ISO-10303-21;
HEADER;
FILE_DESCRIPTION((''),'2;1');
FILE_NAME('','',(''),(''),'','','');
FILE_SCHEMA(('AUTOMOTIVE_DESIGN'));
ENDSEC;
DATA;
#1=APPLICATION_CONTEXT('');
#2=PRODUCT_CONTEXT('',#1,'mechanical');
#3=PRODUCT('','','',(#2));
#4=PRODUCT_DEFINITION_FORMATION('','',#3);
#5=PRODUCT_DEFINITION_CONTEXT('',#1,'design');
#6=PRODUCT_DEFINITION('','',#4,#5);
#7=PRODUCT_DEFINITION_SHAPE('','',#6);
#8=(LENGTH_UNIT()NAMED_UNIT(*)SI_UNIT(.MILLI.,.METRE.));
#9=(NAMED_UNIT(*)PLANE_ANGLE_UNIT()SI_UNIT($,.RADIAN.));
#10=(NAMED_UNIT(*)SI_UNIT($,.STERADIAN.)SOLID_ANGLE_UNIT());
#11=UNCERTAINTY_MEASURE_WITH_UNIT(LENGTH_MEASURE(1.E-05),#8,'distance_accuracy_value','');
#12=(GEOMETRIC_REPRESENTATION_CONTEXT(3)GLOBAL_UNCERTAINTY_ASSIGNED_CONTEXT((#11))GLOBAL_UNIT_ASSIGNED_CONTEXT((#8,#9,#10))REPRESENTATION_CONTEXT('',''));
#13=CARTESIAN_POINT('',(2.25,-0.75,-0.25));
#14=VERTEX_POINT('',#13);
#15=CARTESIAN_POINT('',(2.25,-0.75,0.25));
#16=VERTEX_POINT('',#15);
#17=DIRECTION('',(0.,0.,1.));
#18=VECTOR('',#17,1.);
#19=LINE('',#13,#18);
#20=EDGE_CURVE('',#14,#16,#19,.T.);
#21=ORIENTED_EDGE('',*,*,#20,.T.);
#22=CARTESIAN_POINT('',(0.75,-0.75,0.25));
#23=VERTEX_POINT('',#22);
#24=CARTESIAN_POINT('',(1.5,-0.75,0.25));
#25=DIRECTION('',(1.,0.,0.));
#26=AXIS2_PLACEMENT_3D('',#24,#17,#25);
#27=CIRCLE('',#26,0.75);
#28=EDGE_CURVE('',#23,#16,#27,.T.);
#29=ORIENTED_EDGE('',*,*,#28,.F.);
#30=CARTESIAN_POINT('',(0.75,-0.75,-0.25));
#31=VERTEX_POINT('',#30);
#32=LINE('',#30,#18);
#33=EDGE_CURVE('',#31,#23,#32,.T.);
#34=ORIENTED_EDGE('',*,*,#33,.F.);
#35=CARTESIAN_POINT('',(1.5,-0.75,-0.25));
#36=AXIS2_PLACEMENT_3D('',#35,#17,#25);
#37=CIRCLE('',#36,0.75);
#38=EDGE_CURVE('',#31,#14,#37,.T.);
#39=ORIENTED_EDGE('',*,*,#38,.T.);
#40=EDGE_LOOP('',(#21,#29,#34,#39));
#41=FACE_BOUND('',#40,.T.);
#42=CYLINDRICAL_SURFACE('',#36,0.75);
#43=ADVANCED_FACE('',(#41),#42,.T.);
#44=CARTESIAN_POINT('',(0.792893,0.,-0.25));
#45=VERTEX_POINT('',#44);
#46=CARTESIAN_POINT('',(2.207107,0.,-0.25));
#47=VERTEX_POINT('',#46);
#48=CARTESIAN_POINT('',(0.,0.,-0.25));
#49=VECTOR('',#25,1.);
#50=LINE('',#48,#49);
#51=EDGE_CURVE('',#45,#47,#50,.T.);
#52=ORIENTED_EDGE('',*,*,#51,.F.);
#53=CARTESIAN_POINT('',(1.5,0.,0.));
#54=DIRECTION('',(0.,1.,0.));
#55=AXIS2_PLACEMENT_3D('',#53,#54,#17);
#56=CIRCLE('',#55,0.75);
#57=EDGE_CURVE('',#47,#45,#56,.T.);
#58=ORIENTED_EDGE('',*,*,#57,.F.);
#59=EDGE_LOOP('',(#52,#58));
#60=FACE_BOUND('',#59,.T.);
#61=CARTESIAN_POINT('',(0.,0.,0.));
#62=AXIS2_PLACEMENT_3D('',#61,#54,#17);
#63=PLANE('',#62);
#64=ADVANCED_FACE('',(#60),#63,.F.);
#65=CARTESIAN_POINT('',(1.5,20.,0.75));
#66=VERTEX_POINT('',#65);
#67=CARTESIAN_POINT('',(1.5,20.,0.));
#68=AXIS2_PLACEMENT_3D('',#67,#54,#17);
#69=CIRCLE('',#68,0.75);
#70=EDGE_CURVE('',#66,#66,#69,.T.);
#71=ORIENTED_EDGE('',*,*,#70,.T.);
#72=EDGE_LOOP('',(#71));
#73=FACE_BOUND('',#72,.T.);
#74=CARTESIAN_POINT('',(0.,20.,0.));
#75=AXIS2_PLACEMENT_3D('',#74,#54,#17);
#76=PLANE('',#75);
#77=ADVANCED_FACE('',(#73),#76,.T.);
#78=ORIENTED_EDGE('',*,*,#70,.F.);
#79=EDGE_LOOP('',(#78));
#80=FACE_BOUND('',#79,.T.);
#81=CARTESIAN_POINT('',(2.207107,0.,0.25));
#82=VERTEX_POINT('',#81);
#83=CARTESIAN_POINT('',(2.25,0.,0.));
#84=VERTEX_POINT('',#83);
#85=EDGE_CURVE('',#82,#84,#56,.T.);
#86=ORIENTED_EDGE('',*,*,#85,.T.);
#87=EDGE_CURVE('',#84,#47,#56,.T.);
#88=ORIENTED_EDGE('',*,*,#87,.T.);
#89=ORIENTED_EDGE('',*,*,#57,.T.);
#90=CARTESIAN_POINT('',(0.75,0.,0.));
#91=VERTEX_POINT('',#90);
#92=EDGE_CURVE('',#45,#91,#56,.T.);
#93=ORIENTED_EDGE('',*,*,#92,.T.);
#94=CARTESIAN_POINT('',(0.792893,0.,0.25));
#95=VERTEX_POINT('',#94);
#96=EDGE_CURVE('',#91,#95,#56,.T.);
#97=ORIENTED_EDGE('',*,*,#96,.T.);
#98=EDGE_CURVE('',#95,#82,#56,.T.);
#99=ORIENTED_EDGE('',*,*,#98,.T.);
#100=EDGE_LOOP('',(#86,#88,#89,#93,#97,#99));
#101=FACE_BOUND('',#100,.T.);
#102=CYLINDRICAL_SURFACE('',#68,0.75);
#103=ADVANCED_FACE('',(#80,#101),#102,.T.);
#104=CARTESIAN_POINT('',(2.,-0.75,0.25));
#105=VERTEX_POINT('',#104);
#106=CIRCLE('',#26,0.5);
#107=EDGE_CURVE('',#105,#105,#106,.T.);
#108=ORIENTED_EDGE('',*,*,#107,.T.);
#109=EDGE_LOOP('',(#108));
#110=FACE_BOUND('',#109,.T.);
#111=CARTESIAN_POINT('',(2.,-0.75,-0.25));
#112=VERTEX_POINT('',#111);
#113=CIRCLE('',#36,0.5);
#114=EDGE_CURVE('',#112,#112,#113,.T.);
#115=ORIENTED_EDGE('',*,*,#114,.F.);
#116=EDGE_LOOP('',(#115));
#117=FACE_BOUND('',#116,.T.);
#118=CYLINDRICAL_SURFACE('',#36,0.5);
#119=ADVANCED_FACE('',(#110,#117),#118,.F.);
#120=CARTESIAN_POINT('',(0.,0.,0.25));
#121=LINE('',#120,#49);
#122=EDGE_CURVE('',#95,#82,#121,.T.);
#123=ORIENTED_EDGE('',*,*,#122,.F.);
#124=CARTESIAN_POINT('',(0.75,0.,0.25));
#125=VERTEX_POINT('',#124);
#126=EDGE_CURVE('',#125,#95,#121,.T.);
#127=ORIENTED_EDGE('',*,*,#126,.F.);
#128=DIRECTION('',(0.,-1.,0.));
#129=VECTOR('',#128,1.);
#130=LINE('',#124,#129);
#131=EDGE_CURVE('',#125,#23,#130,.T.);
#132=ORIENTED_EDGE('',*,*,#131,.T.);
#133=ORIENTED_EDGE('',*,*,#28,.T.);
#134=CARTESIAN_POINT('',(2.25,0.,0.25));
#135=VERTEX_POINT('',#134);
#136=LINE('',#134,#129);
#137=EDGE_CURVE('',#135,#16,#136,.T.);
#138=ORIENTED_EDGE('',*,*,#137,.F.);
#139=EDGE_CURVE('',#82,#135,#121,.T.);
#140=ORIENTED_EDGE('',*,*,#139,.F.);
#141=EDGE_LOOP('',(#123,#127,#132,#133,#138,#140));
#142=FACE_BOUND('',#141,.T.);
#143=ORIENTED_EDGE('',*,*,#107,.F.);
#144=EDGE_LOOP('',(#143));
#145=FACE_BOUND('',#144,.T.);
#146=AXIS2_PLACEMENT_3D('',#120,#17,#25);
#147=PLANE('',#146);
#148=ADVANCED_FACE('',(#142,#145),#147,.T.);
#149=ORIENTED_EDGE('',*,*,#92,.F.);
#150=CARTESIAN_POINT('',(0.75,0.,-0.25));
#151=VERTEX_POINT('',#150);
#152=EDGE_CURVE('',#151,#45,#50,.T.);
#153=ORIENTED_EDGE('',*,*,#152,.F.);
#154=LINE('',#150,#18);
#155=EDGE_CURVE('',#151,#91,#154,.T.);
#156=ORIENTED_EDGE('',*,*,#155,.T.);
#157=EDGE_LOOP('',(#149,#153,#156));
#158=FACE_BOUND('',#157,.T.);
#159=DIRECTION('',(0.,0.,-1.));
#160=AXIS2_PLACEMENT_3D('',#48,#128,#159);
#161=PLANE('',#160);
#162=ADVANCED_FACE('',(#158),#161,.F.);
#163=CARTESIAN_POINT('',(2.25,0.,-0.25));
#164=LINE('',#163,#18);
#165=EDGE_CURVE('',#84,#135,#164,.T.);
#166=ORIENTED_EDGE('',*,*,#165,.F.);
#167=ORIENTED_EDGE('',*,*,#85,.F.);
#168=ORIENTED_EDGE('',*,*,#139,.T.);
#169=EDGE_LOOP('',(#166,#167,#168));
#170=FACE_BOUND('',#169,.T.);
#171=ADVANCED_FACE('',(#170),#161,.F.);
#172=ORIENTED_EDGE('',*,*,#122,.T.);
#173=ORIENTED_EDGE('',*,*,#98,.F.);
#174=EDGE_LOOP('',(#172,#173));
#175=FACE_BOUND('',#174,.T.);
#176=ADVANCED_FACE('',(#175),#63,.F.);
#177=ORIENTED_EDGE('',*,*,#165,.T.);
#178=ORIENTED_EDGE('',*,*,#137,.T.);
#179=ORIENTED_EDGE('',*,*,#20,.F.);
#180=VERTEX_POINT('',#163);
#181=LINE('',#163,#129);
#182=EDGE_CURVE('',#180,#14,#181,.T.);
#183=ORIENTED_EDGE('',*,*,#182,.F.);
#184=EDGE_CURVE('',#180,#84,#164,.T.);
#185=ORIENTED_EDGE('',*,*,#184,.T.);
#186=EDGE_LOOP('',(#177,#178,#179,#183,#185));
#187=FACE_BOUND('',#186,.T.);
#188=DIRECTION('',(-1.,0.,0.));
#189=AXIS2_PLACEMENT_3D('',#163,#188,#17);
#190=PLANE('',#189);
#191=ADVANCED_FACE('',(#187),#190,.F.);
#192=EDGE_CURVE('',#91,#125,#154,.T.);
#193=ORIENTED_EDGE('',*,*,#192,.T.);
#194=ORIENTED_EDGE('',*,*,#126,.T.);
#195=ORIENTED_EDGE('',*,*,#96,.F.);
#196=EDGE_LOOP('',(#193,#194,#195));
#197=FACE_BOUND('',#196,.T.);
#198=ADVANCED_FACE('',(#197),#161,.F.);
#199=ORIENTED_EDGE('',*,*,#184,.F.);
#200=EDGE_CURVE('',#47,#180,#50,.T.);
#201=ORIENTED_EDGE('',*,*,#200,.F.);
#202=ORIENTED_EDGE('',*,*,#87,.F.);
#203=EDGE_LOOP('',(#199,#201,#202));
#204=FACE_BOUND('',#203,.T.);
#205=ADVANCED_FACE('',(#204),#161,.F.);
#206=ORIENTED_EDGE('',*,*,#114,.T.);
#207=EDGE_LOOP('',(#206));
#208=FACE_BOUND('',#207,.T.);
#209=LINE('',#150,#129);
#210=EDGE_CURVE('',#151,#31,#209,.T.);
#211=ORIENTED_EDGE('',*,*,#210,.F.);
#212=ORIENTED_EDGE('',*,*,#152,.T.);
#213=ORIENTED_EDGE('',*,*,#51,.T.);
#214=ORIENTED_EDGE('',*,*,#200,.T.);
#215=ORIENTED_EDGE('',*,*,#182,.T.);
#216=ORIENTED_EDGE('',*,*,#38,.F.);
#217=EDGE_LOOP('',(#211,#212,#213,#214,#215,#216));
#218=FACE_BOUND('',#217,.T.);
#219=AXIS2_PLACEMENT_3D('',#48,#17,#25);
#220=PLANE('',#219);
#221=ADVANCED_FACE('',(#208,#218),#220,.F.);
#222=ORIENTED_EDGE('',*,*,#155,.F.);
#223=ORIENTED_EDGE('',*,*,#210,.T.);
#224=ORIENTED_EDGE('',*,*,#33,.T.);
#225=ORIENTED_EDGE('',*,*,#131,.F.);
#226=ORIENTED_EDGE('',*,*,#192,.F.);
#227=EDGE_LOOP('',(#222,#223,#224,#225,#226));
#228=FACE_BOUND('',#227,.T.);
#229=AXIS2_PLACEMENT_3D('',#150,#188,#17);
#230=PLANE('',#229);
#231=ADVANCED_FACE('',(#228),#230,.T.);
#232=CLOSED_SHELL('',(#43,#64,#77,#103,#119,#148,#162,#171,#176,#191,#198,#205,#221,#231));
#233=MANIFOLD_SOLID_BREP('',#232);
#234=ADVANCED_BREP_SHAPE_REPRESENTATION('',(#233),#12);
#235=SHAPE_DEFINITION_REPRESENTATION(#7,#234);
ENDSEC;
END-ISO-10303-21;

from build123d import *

# Parameters (mm, degrees)
SKETCH_1_W           = 0.75
SKETCH_1_H           = 20
EXTRUDE_2_DEPTH      = 0.25
EXTRUDE_2_DEPTH_BACK = 0.25
SKETCH_3_R           = 0.5


with BuildPart() as part:
    # 草圖1 → 旋轉4 (revolve)
    with BuildSketch(Plane.XY):
        with Locations((1.875, 10)):
            Rectangle(SKETCH_1_W, SKETCH_1_H)
    revolve(axis=Axis((1.5, 20, 0), (0, -1, 0)))

    # 草圖3 → 填料-伸長2 (add, two sides: drawn at the far end of the back side and taken through both)
    with BuildSketch(Plane.XY.offset(-EXTRUDE_2_DEPTH_BACK)):
        with BuildLine():
            Line((2.25, 0), (0.75, 0))
            Line((0.75, 0), (0.75, -0.75))
            ThreePointArc((0.75, -0.75), (1.5, -1.5), (2.25, -0.75))
            Line((2.25, -0.75), (2.25, 0))
        make_face()
        with Locations((1.5, -0.75)):
            Circle(SKETCH_3_R, mode=Mode.SUBTRACT)
    extrude(amount=EXTRUDE_2_DEPTH + EXTRUDE_2_DEPTH_BACK)


solid = part.part
